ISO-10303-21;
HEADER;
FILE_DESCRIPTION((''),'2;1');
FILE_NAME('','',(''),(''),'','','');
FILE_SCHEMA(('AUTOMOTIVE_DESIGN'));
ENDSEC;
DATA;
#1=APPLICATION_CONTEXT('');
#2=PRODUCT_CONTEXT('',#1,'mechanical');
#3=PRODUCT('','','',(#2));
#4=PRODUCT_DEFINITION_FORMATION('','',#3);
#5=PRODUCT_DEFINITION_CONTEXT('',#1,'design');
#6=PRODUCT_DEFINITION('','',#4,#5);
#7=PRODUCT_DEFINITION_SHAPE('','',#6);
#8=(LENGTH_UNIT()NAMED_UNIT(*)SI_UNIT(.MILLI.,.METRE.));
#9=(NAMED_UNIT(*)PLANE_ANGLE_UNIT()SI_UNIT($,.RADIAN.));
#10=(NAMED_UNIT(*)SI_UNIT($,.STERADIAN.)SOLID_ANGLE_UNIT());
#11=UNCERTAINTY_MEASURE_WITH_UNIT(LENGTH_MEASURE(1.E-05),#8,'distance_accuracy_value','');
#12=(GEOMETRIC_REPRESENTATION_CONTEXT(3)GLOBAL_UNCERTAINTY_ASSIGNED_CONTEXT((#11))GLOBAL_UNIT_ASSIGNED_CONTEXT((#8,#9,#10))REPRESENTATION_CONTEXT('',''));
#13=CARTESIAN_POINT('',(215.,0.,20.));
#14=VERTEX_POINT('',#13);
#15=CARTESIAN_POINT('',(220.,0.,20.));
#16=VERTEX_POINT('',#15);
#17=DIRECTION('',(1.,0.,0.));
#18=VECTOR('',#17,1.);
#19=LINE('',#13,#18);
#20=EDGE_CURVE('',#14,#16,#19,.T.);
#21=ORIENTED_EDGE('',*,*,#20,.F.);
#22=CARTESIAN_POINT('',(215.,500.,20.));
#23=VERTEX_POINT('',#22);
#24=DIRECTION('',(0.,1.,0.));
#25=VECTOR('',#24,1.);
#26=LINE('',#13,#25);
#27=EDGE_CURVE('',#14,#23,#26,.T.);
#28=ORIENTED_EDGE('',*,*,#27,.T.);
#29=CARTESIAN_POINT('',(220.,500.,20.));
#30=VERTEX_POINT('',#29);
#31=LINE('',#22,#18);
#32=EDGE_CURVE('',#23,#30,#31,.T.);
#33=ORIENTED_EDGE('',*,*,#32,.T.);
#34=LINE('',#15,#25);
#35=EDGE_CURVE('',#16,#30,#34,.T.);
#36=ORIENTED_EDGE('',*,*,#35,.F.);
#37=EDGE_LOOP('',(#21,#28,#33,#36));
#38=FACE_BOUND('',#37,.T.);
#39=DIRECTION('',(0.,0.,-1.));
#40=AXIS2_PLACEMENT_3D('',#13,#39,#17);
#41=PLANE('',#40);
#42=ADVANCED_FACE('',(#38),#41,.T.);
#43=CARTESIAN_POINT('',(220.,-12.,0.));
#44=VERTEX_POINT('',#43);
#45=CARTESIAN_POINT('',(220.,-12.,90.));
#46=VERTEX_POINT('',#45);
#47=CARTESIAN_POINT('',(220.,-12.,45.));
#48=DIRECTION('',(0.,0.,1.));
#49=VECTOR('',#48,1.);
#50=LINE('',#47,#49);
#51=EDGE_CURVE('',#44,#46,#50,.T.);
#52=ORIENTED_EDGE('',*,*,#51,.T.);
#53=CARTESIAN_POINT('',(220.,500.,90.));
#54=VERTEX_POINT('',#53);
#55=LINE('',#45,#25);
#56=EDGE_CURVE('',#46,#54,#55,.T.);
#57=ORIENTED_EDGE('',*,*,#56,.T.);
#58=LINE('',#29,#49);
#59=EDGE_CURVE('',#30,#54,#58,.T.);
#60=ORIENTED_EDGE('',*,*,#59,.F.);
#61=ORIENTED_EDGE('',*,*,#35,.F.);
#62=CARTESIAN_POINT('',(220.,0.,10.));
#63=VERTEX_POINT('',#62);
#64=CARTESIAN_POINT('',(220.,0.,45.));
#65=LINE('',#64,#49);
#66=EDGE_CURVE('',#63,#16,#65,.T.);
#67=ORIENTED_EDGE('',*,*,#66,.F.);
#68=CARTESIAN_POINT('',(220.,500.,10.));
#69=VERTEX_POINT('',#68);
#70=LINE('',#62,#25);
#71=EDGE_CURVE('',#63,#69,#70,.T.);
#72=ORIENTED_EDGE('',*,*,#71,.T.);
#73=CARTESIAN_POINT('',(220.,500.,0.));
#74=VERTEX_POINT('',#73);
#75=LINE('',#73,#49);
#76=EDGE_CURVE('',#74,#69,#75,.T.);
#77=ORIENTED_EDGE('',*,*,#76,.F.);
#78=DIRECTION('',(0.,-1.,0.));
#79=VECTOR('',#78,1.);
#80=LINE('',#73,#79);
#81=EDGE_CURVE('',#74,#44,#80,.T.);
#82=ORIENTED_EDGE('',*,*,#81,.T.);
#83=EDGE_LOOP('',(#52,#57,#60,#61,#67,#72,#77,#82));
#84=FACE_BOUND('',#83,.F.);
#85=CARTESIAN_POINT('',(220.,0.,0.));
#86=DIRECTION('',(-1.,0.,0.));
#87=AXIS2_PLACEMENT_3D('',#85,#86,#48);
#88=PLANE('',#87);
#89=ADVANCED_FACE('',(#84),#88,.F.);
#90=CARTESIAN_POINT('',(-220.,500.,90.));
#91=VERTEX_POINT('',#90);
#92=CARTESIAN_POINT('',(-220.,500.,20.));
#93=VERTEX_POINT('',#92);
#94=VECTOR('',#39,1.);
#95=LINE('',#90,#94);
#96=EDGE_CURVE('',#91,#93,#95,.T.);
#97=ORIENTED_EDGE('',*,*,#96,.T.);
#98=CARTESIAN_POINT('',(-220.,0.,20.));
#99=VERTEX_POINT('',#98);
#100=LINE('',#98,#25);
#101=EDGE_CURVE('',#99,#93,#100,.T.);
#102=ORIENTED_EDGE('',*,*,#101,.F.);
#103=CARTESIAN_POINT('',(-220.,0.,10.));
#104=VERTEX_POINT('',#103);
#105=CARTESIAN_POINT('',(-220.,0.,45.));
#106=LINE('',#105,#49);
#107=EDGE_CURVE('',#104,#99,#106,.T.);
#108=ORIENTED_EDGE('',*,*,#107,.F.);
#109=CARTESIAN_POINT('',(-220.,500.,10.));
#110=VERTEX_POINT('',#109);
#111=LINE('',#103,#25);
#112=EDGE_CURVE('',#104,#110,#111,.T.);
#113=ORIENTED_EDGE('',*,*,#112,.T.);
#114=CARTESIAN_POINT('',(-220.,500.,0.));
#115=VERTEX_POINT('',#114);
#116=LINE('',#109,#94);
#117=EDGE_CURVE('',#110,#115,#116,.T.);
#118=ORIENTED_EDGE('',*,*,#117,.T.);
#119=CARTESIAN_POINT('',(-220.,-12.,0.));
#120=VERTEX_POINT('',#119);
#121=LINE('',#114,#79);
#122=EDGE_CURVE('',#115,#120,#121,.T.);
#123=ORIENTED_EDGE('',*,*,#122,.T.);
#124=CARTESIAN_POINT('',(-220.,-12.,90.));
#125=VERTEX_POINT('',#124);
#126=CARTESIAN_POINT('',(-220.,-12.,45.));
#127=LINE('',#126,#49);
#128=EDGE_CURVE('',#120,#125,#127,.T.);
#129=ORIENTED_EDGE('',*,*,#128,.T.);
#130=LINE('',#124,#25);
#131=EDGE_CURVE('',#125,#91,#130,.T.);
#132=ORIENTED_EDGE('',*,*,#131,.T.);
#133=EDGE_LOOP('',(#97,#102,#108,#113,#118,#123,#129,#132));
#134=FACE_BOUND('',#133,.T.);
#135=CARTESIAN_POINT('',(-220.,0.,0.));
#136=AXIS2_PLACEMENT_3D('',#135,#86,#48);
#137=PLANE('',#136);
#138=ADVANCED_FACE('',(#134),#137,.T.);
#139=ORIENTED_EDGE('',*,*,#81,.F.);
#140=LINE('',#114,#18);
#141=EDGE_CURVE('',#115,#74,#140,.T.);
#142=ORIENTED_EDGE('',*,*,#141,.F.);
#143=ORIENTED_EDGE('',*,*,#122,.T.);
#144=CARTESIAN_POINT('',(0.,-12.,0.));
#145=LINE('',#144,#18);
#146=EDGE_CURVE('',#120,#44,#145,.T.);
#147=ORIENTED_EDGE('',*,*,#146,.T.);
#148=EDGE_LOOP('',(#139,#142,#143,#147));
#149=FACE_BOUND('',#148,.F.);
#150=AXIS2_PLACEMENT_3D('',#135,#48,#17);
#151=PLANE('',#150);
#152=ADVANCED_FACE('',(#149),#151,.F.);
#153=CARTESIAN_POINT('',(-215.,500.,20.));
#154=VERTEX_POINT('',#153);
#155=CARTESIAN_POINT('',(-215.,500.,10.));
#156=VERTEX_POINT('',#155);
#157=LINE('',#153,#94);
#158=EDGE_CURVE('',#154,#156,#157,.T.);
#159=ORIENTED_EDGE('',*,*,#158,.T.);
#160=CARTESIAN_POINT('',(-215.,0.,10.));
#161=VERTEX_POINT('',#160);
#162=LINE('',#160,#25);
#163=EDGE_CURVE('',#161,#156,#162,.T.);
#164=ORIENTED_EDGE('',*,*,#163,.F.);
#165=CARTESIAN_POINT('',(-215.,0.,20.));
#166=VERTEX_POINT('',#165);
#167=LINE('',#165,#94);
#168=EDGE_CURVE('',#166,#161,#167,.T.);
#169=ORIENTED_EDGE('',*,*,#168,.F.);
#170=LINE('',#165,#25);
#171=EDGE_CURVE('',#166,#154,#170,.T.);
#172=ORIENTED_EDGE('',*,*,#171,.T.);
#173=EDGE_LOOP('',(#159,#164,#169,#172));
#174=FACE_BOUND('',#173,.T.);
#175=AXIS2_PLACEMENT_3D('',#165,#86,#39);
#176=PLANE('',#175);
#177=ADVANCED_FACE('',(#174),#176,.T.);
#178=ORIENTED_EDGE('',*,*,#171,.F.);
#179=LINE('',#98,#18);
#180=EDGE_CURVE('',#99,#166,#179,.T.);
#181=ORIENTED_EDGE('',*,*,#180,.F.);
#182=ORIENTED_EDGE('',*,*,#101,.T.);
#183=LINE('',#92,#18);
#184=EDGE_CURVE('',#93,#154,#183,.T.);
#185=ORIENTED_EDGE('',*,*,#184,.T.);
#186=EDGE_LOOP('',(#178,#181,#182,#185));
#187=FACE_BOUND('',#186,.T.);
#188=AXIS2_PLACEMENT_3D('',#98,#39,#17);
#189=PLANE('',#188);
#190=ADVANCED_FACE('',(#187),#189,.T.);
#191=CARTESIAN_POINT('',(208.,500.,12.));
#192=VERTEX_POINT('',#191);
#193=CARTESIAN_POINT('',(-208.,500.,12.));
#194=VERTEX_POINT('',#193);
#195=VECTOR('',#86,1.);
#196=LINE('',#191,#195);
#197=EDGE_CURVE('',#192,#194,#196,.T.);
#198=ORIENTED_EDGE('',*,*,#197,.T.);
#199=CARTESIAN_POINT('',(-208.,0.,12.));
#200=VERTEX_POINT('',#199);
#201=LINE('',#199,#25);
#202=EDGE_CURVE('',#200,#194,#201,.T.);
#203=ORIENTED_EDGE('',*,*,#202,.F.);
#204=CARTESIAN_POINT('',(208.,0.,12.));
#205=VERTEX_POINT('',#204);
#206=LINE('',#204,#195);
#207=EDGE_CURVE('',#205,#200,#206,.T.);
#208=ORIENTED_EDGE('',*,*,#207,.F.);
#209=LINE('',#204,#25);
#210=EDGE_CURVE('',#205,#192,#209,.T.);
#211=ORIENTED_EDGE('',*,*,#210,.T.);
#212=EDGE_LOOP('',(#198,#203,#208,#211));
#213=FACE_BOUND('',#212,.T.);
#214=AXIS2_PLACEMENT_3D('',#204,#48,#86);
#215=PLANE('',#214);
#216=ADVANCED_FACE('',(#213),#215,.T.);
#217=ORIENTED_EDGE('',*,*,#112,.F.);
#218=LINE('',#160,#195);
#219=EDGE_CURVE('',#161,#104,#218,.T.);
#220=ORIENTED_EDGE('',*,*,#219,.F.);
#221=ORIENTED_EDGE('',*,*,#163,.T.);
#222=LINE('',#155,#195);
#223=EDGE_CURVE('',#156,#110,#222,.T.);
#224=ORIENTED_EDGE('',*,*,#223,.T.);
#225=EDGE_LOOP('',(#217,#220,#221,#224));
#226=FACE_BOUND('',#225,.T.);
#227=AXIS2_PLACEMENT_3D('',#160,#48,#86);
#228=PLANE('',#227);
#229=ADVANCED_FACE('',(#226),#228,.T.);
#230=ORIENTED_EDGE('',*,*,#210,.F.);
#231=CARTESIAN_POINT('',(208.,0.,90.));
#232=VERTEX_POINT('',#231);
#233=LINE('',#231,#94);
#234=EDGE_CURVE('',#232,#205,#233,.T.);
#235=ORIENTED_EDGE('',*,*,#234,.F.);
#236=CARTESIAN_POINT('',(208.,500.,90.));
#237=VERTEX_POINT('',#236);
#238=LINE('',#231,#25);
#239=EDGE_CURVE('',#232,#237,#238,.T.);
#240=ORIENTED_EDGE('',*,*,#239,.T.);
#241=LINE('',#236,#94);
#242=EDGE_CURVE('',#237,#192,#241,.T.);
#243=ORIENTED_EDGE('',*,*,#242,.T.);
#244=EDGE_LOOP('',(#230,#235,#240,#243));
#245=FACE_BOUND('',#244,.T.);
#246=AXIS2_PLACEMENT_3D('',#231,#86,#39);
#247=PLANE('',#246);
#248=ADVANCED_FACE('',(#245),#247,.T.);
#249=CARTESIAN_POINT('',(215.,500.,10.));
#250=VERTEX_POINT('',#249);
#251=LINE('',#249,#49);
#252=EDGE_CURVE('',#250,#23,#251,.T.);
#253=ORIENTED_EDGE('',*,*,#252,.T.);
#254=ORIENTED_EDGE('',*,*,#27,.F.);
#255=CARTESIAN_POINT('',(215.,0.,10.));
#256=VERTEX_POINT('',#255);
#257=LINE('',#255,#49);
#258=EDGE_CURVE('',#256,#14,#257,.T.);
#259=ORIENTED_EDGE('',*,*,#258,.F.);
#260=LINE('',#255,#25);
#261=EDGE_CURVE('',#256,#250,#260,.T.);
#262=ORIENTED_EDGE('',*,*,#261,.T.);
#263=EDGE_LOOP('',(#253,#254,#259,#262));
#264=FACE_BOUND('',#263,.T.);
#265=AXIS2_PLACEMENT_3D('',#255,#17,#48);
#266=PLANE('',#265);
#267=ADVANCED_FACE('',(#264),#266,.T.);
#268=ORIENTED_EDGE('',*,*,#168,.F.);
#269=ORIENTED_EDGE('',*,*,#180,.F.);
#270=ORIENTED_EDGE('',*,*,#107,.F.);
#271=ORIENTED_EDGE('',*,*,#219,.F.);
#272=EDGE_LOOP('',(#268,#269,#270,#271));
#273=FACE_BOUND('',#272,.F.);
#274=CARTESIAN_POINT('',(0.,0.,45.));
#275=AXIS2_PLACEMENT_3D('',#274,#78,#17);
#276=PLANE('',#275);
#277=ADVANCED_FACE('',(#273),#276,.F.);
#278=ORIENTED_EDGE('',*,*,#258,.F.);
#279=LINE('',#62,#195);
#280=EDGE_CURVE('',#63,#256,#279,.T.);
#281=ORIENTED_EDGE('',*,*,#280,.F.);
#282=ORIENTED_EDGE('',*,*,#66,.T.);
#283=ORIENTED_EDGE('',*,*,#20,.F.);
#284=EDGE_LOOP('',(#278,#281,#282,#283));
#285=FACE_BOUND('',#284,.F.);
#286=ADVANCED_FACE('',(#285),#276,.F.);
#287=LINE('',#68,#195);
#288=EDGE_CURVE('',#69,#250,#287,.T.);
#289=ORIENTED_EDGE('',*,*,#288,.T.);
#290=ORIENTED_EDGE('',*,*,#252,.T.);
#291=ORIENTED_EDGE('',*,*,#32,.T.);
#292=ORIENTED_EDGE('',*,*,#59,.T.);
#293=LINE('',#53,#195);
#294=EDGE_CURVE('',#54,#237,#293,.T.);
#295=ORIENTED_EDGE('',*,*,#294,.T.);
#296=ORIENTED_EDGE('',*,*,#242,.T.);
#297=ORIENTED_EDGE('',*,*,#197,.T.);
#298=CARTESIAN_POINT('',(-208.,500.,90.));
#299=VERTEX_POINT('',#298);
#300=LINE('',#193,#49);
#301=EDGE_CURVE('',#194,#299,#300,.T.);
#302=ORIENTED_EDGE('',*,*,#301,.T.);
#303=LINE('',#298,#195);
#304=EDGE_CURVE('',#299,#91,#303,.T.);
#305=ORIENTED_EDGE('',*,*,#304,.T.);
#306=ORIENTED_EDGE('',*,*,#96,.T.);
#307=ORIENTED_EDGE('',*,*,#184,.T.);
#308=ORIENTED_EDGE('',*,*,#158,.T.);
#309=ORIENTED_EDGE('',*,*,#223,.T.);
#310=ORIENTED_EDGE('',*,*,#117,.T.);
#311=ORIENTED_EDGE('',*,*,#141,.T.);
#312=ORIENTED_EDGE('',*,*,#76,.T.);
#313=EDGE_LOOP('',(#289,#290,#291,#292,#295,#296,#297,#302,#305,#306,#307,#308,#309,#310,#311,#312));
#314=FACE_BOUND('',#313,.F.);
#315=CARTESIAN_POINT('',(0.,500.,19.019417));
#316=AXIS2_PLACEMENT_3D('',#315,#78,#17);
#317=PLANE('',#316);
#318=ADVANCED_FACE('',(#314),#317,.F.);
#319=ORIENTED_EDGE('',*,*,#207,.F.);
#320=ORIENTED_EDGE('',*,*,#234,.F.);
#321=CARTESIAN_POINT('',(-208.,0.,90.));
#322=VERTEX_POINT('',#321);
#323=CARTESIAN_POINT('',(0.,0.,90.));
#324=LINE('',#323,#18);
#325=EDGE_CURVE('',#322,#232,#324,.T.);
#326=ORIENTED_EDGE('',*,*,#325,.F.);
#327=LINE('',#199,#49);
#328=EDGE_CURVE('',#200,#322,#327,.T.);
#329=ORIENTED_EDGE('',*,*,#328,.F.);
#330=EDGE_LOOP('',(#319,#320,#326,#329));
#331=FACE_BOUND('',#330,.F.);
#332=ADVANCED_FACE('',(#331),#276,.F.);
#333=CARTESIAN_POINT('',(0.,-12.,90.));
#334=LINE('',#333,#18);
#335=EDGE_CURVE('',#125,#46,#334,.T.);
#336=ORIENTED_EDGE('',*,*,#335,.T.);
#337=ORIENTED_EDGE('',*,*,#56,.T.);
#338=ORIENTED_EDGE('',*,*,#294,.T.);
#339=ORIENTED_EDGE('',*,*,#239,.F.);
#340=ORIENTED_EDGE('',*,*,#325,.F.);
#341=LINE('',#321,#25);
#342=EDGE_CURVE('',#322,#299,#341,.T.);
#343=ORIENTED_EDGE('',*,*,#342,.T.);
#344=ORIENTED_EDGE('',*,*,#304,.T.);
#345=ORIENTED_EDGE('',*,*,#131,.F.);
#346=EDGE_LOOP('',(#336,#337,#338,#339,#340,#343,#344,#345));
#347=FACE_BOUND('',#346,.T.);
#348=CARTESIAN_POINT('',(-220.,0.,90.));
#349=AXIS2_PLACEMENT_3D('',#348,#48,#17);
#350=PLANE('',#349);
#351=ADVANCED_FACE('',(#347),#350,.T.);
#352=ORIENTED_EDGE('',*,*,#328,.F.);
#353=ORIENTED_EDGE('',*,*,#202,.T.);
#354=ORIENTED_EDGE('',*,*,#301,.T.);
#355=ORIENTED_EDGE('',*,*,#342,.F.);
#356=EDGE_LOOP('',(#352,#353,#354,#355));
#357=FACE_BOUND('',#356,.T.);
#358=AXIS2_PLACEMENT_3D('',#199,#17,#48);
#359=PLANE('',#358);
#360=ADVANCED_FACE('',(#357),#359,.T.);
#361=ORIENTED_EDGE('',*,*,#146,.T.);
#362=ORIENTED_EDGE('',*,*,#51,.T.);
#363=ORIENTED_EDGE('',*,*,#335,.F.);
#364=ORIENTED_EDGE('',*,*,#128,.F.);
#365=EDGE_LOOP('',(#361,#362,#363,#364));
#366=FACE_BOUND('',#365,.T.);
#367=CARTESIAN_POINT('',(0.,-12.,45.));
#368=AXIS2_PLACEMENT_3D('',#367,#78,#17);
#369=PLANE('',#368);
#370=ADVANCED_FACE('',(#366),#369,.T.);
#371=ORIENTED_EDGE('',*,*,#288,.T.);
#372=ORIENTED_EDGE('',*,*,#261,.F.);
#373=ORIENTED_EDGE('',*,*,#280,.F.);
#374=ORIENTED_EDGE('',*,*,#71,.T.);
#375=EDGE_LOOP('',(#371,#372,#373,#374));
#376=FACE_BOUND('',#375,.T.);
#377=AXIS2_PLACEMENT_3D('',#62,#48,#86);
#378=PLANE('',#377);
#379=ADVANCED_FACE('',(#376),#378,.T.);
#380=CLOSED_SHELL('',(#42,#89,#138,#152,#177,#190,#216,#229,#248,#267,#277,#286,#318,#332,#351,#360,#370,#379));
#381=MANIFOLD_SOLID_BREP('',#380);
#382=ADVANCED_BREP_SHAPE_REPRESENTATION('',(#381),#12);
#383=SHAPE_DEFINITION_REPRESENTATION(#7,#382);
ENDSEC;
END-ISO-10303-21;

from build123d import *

# Parameters (mm, degrees)
F1_DEPTH = 500
F2_W     = 440
F2_H     = 90
F3_DEPTH = 12


with BuildPart() as f1:
    # F0 (on Front) → F1 (new body)
    with BuildSketch(Plane.XZ):
        Polygon((208, 12), (-208, 12), (-208, 90), (-220, 90), (-220, 20), (-215, 20), (-215, 10), (-220, 10), (-220, 0), (220, 0), (220, 10), (215, 10), (215, 20), (220, 20), (220, 90), (208, 90), align=None)
    extrude(amount=-F1_DEPTH)

    # F2 (on Front) → F3 (join)
    with BuildSketch(Plane.XZ):
        with Locations((0, 45)):
            Rectangle(F2_W, F2_H)
    extrude(amount=F3_DEPTH)


solid = f1.part
